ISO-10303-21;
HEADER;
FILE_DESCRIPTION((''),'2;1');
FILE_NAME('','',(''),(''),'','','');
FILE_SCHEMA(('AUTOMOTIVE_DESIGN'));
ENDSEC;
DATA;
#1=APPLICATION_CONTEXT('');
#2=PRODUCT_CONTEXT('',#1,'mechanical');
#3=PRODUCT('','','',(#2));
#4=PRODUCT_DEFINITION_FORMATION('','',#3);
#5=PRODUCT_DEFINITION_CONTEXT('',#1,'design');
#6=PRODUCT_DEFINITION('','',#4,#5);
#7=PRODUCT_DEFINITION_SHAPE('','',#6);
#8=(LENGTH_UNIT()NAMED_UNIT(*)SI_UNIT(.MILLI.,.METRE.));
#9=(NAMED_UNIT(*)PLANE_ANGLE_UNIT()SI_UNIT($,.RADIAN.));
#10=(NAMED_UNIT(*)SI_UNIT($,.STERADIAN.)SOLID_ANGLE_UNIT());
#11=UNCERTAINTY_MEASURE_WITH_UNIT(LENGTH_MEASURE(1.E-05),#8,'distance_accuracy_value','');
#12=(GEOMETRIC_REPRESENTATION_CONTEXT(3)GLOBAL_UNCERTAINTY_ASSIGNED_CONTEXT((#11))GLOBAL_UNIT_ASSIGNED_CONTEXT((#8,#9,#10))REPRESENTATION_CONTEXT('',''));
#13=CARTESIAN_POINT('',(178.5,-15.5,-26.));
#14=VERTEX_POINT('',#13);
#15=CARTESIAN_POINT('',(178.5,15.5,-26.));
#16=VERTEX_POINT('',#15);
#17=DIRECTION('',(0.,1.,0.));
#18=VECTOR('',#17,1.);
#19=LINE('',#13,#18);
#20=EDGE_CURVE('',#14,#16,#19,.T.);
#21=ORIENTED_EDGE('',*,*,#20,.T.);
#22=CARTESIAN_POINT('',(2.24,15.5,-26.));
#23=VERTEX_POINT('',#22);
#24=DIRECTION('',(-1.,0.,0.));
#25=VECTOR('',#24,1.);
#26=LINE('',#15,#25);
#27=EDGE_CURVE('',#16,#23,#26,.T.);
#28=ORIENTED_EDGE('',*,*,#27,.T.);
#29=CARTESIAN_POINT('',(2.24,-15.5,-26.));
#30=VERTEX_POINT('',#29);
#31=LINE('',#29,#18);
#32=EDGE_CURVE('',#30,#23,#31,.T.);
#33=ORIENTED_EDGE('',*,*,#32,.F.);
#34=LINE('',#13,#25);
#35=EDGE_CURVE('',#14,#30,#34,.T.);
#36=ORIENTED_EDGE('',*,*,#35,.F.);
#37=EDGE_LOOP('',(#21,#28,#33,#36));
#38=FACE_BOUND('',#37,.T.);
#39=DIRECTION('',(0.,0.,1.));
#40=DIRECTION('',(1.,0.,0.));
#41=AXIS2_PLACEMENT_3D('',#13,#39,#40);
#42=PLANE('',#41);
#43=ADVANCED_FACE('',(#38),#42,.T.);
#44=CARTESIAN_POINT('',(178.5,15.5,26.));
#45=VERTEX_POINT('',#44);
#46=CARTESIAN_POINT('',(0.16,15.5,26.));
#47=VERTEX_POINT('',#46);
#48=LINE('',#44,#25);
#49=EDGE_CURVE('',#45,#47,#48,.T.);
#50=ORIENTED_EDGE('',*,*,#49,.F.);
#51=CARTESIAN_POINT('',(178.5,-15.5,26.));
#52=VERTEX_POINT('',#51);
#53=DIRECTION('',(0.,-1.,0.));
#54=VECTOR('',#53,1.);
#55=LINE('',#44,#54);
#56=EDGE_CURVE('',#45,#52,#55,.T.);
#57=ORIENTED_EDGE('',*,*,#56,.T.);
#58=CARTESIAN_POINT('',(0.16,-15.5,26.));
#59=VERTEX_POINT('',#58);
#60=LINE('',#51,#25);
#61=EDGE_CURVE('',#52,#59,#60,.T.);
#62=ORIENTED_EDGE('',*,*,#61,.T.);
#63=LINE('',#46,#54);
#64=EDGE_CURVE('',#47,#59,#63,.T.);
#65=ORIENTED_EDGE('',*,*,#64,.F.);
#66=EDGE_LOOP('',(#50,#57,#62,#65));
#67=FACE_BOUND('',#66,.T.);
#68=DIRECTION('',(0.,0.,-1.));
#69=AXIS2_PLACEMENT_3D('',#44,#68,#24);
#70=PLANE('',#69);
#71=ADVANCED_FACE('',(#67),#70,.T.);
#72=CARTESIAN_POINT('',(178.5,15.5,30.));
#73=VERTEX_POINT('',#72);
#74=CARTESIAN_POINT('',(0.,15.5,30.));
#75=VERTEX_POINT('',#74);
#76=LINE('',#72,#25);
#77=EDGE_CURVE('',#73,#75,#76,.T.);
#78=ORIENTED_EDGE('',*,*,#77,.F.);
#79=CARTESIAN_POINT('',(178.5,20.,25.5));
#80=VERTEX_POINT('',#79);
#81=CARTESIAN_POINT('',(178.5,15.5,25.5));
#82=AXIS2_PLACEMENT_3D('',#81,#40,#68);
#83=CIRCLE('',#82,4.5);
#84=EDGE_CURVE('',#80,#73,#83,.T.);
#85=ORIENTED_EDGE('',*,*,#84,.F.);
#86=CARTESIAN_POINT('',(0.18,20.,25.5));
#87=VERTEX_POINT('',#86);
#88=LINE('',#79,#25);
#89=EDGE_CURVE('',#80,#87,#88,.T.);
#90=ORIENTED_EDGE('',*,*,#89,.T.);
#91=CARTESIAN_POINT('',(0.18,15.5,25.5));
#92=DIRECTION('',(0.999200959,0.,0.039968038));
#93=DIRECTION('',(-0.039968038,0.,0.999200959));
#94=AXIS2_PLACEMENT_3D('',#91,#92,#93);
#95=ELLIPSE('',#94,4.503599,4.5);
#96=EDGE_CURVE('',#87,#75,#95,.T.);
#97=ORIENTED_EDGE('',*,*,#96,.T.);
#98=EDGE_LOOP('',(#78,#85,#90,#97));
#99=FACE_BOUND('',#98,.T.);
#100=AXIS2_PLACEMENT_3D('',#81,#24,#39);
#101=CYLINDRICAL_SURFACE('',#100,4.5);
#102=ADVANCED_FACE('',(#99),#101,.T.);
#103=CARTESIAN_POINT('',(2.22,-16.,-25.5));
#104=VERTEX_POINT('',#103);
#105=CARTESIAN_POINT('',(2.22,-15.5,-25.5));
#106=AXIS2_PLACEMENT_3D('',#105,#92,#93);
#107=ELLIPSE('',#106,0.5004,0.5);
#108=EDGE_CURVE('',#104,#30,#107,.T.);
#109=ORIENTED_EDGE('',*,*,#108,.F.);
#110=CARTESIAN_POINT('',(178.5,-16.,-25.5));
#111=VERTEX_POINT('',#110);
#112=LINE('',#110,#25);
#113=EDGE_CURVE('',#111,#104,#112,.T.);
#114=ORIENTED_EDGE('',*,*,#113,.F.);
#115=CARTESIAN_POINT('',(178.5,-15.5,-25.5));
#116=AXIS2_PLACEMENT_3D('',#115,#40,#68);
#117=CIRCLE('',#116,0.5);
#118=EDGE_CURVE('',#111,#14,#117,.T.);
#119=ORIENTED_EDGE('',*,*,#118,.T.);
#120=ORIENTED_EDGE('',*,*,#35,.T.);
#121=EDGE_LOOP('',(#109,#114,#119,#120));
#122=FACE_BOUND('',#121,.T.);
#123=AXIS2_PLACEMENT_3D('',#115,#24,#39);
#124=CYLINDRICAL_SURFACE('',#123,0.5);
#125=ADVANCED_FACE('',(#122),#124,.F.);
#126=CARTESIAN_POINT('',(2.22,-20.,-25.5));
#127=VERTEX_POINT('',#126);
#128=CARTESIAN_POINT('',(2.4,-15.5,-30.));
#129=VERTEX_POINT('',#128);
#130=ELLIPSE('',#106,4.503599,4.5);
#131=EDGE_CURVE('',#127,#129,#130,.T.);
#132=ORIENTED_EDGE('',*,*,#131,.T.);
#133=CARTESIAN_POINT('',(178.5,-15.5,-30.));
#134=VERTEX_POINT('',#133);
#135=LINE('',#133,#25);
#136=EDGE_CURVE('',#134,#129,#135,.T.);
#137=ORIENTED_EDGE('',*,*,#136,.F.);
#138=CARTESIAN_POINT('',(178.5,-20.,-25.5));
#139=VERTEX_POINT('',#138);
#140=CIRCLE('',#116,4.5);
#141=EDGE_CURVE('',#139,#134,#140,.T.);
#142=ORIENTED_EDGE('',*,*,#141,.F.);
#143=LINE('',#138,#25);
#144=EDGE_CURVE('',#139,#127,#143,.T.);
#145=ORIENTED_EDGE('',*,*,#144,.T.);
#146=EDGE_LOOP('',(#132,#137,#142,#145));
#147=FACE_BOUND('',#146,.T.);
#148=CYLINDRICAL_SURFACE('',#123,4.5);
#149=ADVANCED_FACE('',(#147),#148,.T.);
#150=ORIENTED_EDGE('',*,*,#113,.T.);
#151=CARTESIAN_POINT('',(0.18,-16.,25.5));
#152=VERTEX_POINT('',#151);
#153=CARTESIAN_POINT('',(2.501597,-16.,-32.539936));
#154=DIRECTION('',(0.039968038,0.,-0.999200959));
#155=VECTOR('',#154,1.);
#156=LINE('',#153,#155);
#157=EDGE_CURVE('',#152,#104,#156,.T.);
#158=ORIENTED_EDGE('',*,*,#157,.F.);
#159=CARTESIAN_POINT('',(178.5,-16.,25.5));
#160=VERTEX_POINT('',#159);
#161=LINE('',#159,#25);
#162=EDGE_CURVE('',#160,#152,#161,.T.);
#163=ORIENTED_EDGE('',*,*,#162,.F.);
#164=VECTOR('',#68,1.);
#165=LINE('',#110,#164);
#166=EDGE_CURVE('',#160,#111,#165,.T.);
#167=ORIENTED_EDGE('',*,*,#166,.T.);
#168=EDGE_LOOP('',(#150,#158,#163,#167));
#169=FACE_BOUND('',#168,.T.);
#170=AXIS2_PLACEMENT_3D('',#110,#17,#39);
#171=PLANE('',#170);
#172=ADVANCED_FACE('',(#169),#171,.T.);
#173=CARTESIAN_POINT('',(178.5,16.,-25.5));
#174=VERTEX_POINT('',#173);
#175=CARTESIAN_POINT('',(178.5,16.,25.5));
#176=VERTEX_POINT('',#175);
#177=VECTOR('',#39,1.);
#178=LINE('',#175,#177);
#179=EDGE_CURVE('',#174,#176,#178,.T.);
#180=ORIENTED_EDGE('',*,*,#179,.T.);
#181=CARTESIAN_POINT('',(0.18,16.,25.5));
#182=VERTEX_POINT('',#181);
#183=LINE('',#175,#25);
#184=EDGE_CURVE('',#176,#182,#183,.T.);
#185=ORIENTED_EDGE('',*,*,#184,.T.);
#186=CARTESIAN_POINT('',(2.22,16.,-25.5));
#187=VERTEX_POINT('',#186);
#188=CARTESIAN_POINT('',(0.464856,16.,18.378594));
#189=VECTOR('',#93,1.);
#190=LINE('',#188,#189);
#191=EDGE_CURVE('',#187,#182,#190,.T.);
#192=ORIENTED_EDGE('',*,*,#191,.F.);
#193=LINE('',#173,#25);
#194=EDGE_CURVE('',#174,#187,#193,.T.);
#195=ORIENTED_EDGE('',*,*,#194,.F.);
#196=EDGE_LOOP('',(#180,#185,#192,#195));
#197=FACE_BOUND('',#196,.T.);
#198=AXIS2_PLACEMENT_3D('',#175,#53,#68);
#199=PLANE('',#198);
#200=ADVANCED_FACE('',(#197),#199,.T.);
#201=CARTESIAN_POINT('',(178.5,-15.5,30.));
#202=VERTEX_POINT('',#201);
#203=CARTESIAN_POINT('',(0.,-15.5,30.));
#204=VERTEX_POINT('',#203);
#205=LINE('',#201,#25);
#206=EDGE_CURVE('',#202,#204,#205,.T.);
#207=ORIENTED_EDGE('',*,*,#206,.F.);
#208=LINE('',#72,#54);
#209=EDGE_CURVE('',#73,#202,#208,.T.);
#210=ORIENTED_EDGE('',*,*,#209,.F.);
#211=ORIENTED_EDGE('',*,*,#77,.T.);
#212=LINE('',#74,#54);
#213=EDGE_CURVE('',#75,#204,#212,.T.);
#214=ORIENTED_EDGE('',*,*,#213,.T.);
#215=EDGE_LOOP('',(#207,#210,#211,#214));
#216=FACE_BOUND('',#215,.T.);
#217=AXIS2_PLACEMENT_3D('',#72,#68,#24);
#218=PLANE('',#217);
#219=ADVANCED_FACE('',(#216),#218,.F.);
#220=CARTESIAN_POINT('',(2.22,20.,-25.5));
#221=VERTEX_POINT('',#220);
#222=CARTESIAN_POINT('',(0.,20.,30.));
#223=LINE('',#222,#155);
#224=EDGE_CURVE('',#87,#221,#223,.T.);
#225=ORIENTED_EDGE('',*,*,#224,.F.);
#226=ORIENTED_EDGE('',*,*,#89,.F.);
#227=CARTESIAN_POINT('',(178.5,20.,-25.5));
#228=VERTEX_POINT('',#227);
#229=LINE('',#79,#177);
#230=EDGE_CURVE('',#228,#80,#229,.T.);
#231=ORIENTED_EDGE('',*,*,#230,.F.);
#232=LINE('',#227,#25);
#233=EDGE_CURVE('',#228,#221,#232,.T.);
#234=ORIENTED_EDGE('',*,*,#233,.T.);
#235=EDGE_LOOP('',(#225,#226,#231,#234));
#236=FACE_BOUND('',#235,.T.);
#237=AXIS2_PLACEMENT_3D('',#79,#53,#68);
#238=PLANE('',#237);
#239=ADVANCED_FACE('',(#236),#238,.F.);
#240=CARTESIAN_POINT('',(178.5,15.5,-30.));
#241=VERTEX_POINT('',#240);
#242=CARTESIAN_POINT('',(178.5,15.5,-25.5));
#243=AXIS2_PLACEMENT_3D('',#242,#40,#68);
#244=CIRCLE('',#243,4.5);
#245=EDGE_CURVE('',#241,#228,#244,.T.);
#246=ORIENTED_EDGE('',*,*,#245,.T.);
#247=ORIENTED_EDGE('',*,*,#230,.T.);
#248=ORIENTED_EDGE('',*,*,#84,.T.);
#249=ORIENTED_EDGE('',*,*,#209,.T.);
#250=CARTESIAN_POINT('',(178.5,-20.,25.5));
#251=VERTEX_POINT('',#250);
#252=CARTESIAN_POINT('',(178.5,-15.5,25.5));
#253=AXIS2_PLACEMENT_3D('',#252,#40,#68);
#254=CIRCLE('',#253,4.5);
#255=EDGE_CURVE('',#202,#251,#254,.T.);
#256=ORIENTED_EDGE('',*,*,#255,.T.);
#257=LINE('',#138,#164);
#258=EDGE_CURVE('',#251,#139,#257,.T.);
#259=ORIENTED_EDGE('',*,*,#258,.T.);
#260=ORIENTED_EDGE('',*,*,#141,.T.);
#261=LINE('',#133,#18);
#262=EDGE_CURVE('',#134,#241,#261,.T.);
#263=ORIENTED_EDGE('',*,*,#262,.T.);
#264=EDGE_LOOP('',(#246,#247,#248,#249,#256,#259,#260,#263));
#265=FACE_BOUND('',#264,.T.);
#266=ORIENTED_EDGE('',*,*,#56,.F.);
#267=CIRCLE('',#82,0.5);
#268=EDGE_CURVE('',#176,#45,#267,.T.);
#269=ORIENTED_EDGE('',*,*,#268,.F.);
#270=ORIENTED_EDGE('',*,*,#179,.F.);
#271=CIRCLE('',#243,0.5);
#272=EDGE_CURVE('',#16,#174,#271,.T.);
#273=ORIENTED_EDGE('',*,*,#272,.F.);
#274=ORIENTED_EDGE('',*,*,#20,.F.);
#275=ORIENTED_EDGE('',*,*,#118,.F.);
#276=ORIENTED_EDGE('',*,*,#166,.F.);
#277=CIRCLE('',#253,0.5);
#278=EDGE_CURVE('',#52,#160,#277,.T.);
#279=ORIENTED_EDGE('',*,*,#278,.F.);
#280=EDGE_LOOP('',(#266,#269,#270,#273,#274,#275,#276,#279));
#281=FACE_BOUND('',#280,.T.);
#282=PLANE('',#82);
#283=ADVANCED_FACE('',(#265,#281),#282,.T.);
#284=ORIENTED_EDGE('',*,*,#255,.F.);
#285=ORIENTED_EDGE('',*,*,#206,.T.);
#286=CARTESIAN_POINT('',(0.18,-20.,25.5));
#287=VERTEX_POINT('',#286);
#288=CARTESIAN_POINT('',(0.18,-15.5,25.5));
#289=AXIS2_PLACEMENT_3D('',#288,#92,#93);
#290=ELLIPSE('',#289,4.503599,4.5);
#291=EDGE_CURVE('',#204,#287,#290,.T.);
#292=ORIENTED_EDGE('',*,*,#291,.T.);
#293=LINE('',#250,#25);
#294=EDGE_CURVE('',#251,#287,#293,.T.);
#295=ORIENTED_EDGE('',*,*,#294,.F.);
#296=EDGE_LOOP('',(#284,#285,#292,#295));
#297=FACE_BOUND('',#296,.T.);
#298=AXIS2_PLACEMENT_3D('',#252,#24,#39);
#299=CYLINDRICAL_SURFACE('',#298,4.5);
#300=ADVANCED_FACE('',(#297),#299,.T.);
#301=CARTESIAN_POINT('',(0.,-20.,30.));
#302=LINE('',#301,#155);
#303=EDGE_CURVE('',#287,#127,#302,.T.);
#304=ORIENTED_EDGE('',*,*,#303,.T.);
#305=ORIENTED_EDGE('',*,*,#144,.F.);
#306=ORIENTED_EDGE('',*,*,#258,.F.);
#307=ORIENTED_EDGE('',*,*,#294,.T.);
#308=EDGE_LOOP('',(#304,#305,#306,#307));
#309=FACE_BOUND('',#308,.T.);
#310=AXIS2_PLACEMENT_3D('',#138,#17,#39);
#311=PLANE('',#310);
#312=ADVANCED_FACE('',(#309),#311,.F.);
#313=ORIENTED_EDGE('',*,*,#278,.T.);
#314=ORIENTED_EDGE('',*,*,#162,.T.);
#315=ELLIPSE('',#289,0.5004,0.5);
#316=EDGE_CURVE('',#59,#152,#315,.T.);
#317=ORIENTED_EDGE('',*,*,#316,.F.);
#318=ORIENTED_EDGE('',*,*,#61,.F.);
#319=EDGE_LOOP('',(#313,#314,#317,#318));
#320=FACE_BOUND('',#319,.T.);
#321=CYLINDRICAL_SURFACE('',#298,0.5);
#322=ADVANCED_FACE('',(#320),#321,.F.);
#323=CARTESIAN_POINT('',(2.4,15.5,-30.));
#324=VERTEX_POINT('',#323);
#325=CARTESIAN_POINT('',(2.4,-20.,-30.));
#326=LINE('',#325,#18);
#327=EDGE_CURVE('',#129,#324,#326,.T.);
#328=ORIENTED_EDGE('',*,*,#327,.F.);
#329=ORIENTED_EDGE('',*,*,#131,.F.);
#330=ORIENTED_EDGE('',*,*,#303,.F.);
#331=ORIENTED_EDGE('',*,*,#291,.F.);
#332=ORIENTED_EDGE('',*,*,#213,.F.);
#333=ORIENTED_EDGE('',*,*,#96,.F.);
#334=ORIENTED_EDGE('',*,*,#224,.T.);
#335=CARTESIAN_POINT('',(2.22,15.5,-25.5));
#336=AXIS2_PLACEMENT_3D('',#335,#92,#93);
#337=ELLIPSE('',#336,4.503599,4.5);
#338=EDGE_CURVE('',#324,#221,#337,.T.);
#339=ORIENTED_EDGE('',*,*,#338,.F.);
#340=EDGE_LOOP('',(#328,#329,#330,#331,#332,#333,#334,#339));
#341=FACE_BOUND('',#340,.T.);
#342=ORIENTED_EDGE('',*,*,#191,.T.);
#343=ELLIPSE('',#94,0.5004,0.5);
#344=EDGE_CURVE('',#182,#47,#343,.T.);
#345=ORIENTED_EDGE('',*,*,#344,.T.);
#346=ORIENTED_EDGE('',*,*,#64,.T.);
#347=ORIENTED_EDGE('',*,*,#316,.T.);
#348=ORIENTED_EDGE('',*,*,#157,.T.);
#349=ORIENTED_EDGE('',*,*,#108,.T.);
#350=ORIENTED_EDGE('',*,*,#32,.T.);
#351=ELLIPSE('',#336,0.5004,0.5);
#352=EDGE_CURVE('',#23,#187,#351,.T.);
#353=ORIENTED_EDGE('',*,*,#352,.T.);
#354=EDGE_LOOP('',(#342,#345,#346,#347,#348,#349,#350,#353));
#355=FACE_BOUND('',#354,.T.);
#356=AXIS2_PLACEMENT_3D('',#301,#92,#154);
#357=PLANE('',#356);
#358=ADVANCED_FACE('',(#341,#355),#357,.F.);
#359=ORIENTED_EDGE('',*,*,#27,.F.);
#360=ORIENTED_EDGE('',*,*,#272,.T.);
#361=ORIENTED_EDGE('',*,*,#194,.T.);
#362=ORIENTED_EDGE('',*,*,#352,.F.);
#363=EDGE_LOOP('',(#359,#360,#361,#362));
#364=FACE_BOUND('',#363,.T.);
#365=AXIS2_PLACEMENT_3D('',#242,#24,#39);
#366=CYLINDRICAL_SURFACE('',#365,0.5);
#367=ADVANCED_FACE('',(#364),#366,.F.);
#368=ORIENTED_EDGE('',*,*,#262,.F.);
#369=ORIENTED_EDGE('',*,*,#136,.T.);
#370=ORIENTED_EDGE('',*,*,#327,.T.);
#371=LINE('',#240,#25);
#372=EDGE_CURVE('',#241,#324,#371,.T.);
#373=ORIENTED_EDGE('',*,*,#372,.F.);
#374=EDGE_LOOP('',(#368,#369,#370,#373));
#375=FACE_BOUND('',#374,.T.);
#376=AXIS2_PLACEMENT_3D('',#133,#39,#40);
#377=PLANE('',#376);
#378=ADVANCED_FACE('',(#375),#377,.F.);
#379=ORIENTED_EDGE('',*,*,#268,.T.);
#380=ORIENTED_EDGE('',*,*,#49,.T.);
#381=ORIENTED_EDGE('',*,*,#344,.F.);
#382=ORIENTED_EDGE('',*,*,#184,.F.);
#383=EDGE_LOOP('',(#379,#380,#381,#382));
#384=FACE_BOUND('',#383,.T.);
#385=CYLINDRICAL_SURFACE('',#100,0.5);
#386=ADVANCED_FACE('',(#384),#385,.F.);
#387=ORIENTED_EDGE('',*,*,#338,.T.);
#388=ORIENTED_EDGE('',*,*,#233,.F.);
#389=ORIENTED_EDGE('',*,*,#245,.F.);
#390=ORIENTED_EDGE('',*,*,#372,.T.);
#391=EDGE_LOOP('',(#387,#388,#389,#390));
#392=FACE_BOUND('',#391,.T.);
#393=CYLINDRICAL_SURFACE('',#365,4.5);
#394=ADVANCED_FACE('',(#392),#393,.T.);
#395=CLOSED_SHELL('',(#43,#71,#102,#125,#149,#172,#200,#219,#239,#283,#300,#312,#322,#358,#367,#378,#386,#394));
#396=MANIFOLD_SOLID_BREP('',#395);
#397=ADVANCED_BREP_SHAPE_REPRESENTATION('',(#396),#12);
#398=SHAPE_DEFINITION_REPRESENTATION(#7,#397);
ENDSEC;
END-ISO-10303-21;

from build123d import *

# Parameters (mm, degrees)
TUBO_RECTANGULAR_60X40X4_DEPTH = 178.5
CORTAR_EXTRUIR1_DEPTH          = 186.370574795


with BuildPart() as part:
    # Sketch1 → Tubo rectangular 60X40X4 (new body)
    with BuildSketch(Plane.YZ):
        with BuildLine():
            Line((-15.5, -30), (15.5, -30))
            ThreePointArc((15.5, -30), (18.681980515, -28.681980515), (20, -25.5))
            Line((20, -25.5), (20, 25.5))
            ThreePointArc((20, 25.5), (18.681980515, 28.681980515), (15.5, 30))
            Line((15.5, 30), (-15.5, 30))
            ThreePointArc((-15.5, 30), (-18.681980515, 28.681980515), (-20, 25.5))
            Line((-20, 25.5), (-20, -25.5))
            ThreePointArc((-20, -25.5), (-18.681980515, -28.681980515), (-15.5, -30))
        make_face()
        with BuildLine():
            Line((-15.5, -26), (15.5, -26))
            ThreePointArc((15.5, -26), (15.853553391, -25.853553391), (16, -25.5))
            Line((16, -25.5), (16, 25.5))
            ThreePointArc((16, 25.5), (15.853553391, 25.853553391), (15.5, 26))
            Line((15.5, 26), (-15.5, 26))
            ThreePointArc((-15.5, 26), (-15.853553391, 25.853553391), (-16, 25.5))
            Line((-16, 25.5), (-16, -25.5))
            ThreePointArc((-16, -25.5), (-15.853553391, -25.853553391), (-15.5, -26))
        make_face(mode=Mode.SUBTRACT)
    extrude(amount=TUBO_RECTANGULAR_60X40X4_DEPTH)

    # Croquis4 → Cortar-Extruir1 (cut, through all)
    with BuildSketch(Plane(origin=(0, 20, 0), x_dir=(1, 0, 0), z_dir=(0, 1, 0))):
        Polygon((0, -30), (2.4, 30), (0, 30), align=None)
    extrude(amount=-CORTAR_EXTRUIR1_DEPTH, mode=Mode.SUBTRACT)


solid = part.part
